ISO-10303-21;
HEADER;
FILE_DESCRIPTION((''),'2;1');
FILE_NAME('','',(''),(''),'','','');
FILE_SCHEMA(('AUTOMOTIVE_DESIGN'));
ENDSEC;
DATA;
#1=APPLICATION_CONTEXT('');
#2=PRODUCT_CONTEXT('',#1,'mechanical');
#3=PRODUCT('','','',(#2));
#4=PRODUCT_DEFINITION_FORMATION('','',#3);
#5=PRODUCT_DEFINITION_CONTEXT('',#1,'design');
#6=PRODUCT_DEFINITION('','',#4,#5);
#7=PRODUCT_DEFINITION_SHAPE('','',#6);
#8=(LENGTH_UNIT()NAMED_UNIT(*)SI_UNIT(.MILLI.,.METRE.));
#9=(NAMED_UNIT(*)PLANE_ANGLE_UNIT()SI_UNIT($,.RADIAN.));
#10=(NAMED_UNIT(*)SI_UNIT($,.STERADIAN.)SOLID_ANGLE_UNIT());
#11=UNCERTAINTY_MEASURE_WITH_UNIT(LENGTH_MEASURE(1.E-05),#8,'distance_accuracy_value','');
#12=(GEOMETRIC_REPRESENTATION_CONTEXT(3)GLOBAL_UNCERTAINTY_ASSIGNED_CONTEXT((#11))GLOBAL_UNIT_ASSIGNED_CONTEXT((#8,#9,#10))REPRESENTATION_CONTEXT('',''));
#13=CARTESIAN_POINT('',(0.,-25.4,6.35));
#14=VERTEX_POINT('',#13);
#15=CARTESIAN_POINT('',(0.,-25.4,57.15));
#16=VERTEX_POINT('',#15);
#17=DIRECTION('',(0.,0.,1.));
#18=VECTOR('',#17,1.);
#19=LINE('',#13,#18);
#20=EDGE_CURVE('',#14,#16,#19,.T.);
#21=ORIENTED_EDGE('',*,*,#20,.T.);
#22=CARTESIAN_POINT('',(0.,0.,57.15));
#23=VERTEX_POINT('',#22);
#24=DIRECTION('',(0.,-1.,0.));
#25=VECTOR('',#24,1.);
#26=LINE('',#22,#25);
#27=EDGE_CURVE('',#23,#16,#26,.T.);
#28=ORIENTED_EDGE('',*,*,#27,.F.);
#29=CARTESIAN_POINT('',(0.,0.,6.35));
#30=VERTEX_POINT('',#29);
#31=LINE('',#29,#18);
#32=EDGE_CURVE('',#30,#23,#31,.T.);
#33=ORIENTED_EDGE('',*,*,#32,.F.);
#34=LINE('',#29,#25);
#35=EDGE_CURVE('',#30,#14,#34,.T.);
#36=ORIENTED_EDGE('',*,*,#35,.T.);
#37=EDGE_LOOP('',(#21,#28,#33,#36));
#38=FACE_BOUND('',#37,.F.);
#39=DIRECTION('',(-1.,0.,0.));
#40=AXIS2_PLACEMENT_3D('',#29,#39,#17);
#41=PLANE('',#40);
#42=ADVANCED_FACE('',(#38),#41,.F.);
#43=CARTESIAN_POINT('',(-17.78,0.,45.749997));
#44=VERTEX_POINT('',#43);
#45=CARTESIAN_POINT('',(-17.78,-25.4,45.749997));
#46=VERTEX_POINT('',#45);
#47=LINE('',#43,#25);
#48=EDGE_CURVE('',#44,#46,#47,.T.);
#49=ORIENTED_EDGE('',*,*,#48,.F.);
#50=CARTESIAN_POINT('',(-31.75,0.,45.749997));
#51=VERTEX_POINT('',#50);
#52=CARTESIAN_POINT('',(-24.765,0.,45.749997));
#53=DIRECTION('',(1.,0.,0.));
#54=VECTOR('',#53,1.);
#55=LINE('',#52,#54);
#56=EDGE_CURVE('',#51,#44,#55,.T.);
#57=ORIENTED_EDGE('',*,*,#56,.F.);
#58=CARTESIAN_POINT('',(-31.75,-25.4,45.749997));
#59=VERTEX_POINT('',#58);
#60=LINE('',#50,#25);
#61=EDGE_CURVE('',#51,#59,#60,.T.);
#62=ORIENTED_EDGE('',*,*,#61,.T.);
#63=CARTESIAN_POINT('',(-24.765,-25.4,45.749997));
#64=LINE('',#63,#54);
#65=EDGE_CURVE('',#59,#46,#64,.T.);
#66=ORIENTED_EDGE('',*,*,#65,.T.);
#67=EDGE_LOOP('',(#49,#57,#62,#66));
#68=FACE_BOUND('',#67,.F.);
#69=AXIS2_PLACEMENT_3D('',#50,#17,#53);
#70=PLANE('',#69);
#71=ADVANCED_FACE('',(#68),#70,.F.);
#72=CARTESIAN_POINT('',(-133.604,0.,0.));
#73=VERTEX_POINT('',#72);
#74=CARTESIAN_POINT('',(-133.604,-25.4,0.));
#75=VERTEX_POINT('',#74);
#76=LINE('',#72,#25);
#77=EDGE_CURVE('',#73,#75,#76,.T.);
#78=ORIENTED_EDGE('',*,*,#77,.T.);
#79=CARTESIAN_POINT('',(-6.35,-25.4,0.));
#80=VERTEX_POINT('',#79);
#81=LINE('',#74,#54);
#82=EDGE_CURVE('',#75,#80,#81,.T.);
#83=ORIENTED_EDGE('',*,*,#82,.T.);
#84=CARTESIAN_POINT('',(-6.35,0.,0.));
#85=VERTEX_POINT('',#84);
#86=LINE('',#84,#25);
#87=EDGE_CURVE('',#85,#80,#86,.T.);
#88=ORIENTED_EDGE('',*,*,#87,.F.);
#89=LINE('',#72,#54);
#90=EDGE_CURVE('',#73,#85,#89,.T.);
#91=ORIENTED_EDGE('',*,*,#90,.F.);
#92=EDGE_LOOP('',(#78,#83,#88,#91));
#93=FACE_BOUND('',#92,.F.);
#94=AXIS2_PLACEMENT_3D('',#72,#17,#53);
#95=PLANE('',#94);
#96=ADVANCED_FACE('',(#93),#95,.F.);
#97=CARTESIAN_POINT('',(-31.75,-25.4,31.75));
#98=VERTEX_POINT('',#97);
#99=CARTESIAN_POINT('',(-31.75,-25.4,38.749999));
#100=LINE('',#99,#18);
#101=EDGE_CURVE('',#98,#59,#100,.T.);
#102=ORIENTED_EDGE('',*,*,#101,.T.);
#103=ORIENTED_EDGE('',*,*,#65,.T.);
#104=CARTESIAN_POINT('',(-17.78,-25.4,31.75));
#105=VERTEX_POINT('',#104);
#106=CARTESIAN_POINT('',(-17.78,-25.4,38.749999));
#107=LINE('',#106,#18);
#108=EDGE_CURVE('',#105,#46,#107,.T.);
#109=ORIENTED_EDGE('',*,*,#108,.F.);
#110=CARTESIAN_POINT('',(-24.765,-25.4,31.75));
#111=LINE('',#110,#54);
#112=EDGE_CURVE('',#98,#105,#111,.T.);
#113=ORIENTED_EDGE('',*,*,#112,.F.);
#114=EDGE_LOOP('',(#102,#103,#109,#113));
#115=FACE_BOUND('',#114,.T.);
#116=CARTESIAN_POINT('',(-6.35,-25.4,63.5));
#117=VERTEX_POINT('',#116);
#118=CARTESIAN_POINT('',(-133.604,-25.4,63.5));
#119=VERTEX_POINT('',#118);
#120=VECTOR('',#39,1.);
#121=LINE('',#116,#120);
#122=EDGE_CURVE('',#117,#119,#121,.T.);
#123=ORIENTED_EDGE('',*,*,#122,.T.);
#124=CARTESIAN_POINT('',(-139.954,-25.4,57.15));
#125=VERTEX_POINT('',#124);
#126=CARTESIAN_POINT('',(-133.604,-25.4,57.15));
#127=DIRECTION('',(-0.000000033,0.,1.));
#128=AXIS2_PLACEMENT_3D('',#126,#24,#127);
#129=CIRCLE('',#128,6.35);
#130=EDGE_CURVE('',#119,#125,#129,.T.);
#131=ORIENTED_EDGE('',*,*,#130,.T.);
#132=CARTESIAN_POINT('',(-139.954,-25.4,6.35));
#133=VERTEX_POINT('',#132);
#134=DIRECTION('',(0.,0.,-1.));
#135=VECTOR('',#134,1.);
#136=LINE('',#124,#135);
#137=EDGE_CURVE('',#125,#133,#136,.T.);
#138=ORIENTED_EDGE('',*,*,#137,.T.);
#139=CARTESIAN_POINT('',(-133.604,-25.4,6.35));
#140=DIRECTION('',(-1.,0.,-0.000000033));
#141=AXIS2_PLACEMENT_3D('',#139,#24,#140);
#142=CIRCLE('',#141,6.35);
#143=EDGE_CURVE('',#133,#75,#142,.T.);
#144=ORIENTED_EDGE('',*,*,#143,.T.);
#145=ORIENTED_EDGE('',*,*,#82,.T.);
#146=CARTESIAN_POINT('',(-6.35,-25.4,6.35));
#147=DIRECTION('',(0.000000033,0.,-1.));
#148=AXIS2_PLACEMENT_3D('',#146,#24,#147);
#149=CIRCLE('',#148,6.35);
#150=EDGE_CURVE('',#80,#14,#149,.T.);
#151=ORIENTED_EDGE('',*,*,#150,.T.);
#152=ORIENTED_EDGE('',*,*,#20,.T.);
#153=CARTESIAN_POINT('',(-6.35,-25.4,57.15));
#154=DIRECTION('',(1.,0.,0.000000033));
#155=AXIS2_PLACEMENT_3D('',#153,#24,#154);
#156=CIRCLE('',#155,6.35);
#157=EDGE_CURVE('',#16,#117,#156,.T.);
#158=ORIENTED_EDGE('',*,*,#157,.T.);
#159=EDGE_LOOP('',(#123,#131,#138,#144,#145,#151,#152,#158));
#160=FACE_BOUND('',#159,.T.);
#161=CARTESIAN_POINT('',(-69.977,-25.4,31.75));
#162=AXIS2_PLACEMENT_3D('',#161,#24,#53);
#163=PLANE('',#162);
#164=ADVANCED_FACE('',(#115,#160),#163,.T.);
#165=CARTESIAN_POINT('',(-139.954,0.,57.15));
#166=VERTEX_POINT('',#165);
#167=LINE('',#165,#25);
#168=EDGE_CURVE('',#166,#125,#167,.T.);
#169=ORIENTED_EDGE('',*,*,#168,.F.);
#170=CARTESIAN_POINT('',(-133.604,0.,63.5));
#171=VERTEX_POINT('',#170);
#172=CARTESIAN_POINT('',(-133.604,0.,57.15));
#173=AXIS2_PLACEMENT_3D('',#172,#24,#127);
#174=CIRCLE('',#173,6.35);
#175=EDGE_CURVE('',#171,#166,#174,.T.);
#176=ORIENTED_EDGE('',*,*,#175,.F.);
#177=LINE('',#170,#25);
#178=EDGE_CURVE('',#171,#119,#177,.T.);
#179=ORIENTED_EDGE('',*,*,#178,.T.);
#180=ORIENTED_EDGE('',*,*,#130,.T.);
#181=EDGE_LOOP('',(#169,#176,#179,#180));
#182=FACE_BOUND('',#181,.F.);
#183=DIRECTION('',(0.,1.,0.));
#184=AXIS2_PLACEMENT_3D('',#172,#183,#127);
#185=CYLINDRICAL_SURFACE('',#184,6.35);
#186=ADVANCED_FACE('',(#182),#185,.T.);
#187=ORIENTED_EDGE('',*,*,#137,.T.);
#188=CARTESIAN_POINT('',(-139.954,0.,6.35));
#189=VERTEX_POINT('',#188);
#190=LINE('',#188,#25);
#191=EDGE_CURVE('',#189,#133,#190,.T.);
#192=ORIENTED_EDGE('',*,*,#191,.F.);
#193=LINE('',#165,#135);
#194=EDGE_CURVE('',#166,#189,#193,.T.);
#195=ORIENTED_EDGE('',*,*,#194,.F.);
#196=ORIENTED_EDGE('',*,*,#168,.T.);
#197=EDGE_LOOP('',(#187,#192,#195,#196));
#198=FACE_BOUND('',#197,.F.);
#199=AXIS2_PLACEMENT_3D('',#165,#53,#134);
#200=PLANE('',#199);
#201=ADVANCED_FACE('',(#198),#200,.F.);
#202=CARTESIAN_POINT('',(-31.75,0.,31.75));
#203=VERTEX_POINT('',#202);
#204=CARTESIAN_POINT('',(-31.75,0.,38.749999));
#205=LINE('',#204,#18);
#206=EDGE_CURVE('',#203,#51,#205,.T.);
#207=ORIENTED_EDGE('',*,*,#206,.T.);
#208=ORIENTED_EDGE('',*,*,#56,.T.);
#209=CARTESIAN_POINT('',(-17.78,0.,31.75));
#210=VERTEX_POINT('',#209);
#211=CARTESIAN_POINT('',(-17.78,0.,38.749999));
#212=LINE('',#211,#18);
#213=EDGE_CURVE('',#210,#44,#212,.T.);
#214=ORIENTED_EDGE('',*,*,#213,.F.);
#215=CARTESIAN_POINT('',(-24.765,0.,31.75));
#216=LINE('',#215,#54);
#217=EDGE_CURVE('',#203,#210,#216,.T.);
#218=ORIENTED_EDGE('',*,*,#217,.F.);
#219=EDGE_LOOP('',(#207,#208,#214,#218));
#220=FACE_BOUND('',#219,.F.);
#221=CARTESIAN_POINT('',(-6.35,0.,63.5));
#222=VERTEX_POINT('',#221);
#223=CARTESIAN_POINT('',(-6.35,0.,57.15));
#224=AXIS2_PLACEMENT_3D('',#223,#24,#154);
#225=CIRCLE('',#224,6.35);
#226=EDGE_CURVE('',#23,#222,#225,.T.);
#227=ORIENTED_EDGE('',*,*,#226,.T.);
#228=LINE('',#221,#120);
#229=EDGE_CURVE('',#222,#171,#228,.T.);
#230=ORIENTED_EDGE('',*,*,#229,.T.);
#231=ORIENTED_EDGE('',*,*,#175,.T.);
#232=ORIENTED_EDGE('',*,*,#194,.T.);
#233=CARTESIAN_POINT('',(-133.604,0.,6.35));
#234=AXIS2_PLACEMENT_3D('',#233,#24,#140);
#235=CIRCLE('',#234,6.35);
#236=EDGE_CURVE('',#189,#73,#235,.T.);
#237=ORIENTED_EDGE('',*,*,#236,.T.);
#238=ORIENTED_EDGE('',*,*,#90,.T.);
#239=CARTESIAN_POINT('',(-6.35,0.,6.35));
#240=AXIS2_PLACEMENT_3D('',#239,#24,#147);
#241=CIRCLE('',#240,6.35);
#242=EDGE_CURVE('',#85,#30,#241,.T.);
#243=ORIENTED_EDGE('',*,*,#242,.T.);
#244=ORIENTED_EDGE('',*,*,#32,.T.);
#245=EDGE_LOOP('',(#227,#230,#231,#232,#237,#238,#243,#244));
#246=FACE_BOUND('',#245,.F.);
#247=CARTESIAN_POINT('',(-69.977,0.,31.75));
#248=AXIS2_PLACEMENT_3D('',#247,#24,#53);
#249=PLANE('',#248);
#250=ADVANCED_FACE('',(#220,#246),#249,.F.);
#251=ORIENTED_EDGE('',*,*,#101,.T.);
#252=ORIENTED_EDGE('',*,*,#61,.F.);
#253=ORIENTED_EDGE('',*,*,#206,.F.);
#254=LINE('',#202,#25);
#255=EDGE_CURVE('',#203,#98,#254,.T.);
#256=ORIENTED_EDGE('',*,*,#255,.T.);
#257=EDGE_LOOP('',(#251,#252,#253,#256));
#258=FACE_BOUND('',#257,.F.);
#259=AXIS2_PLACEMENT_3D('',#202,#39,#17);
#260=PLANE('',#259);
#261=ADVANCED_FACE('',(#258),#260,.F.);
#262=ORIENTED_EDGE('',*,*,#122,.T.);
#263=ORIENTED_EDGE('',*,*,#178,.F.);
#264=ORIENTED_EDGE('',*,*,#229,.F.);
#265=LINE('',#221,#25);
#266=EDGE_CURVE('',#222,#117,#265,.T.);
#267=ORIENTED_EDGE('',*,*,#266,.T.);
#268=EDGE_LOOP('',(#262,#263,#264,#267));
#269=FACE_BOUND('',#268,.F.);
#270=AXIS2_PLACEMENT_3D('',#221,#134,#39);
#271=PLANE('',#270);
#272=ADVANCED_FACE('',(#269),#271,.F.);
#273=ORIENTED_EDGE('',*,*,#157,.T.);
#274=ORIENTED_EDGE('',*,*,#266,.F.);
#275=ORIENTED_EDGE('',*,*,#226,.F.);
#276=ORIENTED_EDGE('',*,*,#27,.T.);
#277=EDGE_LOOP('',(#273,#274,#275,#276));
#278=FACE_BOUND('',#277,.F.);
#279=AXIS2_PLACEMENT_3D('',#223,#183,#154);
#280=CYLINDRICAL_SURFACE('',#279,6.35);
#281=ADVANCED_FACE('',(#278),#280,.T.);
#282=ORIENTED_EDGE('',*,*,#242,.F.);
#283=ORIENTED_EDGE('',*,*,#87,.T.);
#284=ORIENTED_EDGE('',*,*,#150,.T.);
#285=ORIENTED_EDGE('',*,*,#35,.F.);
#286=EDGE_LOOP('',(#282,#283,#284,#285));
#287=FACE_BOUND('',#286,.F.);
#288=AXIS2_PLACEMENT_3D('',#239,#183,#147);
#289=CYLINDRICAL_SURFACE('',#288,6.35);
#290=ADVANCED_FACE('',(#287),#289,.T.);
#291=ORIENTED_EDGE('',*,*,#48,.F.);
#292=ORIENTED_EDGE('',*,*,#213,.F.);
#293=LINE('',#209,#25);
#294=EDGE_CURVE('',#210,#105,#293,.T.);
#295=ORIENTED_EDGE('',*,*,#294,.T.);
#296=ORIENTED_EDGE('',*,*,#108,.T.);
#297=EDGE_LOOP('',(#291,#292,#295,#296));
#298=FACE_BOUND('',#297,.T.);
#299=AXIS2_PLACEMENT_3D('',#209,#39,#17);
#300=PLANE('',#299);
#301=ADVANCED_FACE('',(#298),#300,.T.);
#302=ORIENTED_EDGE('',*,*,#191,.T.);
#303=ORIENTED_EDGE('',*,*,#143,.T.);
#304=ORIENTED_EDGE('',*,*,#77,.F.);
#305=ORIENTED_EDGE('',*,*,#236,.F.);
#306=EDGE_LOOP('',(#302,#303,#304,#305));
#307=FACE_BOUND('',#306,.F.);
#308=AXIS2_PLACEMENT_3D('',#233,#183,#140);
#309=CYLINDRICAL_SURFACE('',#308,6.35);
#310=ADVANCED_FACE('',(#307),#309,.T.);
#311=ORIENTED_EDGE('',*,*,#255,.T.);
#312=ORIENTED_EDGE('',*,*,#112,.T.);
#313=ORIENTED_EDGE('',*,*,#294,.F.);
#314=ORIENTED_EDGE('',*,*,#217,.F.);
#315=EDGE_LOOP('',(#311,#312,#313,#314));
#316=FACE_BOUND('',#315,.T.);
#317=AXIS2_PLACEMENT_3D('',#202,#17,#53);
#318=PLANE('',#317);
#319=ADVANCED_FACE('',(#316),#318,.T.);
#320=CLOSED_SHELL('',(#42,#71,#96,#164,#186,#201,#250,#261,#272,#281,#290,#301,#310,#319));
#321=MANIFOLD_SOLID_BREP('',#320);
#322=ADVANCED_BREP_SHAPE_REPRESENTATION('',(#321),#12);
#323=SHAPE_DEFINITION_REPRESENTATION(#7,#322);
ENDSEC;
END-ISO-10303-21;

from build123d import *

# Parameters (mm, degrees)
F0_W     = 13.97
F0_H     = 13.999997
F1_DEPTH = 25.4


with BuildPart() as f1:
    # F0 (on Front) → F1 (new body)
    with BuildSketch(Plane.XZ):
        with BuildLine():
            Line((-133.604, 0), (-6.35, 0))
            ThreePointArc((-6.35, 0), (-1.859872, 1.859872), (0, 6.35))
            Line((0, 6.35), (0, 57.15))
            ThreePointArc((0, 57.15), (-1.859872, 61.640128), (-6.35, 63.5))
            Line((-6.35, 63.5), (-133.604, 63.5))
            ThreePointArc((-133.604, 63.5), (-138.094128, 61.640128), (-139.954, 57.15))
            Line((-139.954, 57.15), (-139.954, 6.35))
            ThreePointArc((-139.954, 6.35), (-138.094128, 1.859872), (-133.604, 0))
        make_face()
        with Locations((-24.765, 38.749999)):
            Rectangle(F0_W, F0_H, mode=Mode.SUBTRACT)
    extrude(amount=F1_DEPTH)


solid = f1.part
